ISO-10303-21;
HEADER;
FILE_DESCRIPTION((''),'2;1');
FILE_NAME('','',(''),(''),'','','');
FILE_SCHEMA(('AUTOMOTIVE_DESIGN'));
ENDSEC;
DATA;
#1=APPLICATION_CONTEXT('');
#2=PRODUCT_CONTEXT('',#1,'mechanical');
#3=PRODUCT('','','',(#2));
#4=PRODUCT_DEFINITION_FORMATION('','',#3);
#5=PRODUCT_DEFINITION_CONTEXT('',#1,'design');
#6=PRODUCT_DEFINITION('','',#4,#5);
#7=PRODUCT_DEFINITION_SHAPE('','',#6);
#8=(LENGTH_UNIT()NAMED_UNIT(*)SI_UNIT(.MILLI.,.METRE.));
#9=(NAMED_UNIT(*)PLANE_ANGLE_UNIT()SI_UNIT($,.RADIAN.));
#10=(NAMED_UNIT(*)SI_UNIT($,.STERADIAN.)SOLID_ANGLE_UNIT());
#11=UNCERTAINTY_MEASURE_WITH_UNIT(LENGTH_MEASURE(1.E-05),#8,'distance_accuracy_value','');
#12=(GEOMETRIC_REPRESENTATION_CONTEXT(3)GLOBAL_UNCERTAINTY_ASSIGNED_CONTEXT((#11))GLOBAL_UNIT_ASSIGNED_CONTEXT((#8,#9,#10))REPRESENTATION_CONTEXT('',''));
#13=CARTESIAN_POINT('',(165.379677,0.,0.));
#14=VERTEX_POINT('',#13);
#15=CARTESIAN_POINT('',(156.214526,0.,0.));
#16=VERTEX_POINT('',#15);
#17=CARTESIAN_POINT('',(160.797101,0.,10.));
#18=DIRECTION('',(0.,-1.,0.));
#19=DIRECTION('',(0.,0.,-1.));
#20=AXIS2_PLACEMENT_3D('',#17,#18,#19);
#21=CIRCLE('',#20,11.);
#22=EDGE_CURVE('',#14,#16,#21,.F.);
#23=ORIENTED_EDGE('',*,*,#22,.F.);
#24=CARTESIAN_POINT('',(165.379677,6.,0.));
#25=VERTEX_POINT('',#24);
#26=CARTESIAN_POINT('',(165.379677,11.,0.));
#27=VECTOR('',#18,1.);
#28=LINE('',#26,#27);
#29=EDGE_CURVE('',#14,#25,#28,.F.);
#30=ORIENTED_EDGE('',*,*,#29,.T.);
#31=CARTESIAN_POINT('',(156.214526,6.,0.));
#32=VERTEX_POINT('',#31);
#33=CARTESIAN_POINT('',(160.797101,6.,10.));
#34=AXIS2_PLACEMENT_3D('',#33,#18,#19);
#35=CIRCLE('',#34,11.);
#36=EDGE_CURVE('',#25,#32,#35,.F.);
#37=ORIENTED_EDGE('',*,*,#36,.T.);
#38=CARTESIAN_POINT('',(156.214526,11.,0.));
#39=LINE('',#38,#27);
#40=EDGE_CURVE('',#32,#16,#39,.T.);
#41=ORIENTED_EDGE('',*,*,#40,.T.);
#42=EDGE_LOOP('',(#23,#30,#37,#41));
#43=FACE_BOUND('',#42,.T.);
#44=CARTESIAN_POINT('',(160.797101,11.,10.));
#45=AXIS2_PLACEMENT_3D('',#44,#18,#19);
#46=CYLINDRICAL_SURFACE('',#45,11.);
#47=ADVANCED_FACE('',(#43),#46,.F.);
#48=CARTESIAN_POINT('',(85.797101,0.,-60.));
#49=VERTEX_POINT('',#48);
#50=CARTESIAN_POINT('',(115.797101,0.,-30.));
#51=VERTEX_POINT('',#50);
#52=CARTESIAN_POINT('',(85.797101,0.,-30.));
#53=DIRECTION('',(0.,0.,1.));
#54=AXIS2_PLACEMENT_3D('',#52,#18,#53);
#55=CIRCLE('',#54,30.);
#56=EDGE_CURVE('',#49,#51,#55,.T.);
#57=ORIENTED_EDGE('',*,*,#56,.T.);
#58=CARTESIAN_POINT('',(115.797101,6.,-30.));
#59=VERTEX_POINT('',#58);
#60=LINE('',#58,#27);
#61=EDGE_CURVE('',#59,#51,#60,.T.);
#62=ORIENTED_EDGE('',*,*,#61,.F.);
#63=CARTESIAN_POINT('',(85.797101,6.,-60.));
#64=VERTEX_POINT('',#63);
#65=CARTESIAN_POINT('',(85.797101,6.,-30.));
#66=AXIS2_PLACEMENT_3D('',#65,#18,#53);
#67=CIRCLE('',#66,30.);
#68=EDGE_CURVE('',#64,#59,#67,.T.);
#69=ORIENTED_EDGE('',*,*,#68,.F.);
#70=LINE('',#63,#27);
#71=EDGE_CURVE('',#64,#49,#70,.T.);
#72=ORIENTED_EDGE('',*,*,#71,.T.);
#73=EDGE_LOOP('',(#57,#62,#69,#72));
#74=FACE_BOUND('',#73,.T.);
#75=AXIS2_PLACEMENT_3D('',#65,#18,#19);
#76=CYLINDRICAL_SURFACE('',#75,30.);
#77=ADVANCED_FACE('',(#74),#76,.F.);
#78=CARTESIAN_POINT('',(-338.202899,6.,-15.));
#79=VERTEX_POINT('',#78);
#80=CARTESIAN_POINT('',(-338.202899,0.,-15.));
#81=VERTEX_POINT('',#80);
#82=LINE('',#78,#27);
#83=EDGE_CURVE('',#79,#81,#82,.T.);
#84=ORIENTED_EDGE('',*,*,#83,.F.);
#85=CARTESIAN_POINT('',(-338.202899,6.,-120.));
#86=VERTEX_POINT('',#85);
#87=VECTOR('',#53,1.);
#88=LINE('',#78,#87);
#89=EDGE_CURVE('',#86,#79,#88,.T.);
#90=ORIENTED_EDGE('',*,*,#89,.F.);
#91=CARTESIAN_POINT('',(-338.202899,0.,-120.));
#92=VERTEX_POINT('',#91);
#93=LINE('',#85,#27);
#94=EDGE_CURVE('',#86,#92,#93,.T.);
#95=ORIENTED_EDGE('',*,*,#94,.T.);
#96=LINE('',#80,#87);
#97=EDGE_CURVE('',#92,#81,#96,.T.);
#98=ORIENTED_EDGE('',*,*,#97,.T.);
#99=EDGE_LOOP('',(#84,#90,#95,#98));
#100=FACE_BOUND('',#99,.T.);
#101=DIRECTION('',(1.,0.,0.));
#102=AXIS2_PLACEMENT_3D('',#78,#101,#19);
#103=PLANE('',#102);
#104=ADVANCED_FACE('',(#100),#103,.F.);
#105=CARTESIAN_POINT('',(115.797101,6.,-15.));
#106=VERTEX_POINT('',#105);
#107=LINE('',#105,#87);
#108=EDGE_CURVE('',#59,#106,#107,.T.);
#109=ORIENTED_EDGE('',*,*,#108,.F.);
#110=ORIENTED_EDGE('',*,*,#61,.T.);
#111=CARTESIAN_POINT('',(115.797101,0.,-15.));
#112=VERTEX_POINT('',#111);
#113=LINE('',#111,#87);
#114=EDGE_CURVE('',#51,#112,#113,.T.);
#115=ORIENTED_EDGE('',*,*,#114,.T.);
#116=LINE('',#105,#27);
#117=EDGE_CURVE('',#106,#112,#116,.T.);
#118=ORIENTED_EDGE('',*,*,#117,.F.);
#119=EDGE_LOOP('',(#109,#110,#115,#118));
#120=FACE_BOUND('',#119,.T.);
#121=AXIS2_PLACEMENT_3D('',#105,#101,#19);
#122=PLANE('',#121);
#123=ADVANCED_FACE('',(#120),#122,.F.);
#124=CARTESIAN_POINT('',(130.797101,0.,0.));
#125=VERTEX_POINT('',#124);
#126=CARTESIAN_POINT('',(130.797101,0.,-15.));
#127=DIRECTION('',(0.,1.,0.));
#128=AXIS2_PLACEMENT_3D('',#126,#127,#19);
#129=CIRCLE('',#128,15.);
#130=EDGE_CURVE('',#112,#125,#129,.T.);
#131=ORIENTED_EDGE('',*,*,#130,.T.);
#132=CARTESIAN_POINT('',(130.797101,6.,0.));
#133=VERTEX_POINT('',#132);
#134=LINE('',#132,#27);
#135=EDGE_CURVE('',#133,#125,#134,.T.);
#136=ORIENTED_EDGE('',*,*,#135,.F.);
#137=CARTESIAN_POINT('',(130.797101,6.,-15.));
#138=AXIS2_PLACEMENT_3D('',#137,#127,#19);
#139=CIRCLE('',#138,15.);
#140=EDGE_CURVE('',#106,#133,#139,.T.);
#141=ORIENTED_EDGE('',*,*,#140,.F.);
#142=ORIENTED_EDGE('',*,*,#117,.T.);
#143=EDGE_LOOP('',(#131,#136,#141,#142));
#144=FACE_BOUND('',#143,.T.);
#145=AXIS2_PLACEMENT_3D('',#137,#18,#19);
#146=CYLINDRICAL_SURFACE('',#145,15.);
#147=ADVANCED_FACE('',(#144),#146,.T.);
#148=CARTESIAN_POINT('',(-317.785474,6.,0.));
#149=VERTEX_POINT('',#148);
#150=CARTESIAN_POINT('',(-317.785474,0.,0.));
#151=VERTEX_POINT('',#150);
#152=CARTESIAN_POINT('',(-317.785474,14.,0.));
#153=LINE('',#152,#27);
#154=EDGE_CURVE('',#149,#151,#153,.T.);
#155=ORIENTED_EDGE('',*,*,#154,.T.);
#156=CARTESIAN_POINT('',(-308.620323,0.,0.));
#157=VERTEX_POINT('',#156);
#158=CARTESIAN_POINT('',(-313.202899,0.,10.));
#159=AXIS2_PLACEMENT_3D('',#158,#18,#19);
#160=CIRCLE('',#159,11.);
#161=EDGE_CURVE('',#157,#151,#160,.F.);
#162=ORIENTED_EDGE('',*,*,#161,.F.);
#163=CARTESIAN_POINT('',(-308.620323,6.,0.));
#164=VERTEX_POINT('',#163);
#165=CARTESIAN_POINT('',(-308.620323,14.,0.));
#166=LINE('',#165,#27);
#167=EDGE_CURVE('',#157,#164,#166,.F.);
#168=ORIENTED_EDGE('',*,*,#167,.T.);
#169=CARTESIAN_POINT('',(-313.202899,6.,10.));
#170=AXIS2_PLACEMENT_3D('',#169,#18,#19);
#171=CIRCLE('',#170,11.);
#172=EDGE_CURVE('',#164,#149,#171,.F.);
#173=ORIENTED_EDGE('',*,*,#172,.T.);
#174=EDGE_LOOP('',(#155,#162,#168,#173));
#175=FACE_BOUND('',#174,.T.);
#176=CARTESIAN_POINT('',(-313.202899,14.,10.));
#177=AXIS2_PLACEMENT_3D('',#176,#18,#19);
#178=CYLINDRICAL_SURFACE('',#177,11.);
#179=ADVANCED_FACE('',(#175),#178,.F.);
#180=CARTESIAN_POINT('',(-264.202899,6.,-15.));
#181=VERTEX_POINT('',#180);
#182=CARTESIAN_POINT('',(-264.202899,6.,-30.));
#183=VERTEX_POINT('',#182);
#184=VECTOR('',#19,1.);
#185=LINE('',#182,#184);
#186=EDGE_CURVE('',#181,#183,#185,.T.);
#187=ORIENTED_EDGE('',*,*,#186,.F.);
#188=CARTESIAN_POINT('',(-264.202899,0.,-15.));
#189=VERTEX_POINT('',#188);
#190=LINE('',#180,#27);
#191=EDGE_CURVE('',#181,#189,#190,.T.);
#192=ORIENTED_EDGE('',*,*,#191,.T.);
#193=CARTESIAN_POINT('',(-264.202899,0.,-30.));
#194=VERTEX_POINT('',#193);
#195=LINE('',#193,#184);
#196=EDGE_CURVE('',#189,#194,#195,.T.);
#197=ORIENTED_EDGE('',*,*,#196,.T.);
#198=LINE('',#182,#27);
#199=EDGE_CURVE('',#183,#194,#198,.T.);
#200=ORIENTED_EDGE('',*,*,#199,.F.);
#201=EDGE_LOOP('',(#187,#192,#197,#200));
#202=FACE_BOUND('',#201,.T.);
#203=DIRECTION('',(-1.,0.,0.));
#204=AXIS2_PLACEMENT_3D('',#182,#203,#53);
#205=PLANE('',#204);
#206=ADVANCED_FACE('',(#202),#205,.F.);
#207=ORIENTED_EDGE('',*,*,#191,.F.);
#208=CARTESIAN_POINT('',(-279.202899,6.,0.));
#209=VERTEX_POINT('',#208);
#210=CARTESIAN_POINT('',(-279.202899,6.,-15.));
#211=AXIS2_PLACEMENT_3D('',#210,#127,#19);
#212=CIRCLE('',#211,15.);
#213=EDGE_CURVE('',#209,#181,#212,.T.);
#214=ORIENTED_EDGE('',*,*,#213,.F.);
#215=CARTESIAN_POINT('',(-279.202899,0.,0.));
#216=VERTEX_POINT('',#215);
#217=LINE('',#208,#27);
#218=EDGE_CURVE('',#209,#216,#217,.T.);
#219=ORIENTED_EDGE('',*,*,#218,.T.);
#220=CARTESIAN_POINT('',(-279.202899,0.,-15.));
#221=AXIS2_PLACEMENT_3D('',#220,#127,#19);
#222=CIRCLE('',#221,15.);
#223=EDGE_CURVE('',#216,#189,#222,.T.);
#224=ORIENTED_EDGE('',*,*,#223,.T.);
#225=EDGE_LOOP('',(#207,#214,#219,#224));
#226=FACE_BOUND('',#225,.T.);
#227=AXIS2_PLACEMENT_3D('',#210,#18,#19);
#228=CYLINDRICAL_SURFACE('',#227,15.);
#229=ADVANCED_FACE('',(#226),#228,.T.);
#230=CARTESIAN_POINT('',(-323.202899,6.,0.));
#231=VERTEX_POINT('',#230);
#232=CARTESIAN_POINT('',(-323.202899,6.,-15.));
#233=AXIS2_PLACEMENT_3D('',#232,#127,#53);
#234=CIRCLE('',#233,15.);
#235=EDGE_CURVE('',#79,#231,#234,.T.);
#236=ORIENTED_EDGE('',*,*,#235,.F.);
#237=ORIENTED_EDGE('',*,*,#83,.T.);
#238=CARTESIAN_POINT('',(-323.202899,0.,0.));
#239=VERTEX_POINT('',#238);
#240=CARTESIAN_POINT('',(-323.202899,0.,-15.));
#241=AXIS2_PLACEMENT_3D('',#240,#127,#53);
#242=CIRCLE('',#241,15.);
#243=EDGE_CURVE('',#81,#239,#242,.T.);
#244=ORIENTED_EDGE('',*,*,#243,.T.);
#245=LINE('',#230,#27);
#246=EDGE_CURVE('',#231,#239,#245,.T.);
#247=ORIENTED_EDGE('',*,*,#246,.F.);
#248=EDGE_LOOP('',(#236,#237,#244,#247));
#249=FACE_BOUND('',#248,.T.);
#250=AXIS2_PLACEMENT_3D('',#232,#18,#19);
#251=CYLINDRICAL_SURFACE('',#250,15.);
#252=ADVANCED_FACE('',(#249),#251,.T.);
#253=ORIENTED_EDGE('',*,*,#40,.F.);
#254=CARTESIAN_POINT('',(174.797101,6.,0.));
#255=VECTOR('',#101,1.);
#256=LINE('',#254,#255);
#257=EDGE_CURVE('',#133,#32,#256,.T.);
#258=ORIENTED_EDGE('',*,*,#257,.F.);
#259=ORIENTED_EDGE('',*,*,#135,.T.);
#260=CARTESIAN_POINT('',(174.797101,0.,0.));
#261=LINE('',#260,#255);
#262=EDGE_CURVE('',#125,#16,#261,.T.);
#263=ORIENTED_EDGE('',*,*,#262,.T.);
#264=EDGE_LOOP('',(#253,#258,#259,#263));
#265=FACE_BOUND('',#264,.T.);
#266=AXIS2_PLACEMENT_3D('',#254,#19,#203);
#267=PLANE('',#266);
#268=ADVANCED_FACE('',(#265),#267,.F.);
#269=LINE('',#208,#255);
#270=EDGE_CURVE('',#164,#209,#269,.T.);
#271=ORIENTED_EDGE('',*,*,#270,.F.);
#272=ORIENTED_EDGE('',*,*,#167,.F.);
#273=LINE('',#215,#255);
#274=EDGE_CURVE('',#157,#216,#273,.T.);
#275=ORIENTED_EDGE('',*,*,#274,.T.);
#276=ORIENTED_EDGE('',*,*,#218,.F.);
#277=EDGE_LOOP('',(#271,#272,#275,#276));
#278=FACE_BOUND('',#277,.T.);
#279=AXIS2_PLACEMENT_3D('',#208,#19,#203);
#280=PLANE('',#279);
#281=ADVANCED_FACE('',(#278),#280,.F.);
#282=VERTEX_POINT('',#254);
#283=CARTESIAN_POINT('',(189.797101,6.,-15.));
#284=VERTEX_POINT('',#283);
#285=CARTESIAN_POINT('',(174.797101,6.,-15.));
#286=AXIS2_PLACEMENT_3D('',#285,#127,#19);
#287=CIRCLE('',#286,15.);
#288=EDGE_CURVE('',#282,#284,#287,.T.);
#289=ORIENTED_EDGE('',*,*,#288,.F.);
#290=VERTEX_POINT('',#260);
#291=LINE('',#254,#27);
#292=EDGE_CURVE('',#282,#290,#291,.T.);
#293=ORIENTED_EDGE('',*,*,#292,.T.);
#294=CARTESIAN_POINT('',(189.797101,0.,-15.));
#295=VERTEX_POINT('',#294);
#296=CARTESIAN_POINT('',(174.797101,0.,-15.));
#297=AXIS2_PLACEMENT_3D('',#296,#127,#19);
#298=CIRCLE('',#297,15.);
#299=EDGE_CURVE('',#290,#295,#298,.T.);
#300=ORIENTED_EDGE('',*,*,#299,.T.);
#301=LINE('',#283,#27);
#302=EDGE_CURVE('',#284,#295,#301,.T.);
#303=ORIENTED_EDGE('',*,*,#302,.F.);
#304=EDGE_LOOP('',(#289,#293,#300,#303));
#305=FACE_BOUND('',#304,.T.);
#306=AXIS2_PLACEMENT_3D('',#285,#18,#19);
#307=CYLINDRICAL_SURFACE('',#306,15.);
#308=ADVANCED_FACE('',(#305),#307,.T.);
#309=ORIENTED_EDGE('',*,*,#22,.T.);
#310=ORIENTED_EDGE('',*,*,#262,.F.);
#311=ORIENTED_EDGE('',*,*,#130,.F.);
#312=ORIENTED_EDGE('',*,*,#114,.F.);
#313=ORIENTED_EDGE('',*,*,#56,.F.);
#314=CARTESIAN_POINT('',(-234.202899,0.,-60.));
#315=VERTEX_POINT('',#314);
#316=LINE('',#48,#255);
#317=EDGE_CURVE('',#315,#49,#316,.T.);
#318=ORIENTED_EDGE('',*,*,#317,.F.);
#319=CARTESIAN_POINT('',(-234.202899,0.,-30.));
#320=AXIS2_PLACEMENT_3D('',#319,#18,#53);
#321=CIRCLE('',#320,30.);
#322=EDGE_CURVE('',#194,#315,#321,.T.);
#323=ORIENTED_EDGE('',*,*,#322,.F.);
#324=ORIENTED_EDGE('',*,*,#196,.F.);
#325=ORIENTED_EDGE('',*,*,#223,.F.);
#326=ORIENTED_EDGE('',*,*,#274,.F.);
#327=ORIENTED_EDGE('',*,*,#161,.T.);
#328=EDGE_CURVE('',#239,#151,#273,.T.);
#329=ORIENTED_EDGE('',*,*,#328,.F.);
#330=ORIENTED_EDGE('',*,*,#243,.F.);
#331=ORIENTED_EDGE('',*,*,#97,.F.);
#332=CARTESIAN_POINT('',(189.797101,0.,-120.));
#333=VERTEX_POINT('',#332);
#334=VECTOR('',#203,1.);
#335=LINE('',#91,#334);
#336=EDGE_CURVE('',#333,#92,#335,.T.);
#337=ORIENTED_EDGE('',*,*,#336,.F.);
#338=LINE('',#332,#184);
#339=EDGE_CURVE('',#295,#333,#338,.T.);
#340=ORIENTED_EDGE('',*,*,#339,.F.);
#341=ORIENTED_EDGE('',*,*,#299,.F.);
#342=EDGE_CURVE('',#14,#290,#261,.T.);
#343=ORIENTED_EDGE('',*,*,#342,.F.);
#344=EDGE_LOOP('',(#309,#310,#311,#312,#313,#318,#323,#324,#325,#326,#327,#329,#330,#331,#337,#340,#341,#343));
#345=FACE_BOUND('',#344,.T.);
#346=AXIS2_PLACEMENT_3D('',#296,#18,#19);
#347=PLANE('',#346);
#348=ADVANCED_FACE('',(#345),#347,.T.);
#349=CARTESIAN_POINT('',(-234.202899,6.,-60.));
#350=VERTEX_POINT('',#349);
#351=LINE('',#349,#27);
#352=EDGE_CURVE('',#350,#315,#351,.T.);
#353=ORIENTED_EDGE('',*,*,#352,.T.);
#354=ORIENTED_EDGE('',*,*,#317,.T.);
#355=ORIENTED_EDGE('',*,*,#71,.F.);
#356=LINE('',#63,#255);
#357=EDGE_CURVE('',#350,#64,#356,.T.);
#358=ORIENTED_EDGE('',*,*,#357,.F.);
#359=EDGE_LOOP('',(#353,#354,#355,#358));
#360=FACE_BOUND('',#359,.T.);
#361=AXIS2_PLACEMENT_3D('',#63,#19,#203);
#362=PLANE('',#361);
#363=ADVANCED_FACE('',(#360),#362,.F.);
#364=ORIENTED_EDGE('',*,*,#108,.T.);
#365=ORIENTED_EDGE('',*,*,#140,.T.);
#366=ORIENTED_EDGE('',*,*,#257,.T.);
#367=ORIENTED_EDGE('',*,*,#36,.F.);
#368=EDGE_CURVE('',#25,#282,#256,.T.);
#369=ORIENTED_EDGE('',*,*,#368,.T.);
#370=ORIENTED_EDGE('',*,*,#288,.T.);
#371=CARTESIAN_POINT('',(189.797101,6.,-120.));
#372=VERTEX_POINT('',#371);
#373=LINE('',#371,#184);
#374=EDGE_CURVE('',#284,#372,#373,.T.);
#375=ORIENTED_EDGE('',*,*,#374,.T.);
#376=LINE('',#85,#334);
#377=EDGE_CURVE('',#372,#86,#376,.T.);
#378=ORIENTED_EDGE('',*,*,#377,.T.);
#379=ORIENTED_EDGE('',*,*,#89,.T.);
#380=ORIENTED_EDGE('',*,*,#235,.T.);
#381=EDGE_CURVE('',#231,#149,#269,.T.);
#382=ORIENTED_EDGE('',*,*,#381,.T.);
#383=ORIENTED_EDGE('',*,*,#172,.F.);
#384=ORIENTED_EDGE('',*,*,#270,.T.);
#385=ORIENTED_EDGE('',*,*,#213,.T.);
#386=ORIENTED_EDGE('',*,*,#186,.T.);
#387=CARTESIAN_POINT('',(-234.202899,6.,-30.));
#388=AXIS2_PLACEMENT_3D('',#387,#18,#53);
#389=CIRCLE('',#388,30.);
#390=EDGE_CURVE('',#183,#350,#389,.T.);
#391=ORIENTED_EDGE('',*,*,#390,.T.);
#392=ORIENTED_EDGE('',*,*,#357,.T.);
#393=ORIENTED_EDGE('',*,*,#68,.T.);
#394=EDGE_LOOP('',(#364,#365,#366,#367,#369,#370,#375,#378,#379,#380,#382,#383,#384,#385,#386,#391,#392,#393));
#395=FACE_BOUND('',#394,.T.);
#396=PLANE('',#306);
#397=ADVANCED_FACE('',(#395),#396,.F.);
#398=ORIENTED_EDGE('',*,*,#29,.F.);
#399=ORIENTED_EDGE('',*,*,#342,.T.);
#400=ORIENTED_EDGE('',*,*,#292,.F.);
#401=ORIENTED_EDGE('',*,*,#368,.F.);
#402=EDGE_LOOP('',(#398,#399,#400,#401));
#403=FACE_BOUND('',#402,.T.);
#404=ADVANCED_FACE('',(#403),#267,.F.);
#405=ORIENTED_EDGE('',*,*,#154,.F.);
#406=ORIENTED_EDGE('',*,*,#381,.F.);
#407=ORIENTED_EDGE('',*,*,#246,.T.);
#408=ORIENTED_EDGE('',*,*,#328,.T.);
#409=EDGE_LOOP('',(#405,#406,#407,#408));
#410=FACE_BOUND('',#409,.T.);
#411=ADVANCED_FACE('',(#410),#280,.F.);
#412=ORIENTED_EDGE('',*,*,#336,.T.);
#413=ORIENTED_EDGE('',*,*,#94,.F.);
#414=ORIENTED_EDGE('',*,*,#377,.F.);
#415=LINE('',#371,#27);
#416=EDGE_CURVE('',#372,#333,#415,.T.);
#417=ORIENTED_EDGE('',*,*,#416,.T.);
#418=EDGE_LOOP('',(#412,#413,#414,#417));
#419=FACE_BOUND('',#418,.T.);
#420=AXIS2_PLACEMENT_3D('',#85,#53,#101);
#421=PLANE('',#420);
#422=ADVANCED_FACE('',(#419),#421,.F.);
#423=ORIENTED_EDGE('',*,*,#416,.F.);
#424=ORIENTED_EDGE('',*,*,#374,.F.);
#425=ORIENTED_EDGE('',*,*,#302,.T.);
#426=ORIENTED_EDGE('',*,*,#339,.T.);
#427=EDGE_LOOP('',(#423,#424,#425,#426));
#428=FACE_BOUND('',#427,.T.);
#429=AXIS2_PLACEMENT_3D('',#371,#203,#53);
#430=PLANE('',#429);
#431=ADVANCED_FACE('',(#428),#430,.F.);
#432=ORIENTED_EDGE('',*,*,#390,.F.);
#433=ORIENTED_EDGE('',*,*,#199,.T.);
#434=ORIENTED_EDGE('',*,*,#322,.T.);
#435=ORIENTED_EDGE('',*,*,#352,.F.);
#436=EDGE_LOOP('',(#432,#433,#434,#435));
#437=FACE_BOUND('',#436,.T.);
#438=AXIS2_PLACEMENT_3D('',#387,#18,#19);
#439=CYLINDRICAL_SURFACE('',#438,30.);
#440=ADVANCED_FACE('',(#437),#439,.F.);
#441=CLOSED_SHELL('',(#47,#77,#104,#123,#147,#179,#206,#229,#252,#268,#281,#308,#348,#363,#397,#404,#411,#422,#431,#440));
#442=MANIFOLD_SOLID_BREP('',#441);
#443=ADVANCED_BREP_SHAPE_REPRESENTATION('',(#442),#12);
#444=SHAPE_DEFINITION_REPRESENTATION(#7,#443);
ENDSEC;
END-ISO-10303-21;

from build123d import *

# Parameters (mm, degrees)
EXTRUDE_1_DEPTH          = 6
CUT_EXTRUDE_1_DEPTH      = 14
CUT_EXTRUDE_1_DEPTH_BACK = 5
SKETCH_7_R               = 11
CUT_EXTRUDE_2_DEPTH      = 11
CUT_EXTRUDE_2_DEPTH_BACK = 5
SKETCH_8_R               = 11


with BuildPart() as part:
    # Эскиз1 → Бобышка-Вытянуть1 (new body)
    with BuildSketch(Plane(origin=(0, 0, 0), x_dir=(1, 0, 0), z_dir=(0, 1, 0))):
        with BuildLine():
            Line((-338.202898551, 15), (-338.202898551, 120))
            Line((-338.202898551, 120), (189.797101449, 120))
            Line((189.797101449, 120), (189.797101449, 15))
            ThreePointArc((189.797101449, 15), (185.403703167, 4.393398282), (174.797101449, 0))
            Line((174.797101449, 0), (130.797101449, 0))
            ThreePointArc((130.797101449, 0), (120.190499731, 4.393398282), (115.797101449, 15))
            Line((115.797101449, 15), (115.797101449, 30))
            ThreePointArc((115.797101449, 30), (107.010304885, 51.213203436), (85.797101449, 60))
            Line((85.797101449, 60), (-234.202898551, 60))
            ThreePointArc((-234.202898551, 60), (-255.416101986, 51.213203436), (-264.202898551, 30))
            Line((-264.202898551, 30), (-264.202898551, 15))
            ThreePointArc((-264.202898551, 15), (-268.596296833, 4.393398282), (-279.202898551, 0))
            Line((-279.202898551, 0), (-323.202898551, 0))
            ThreePointArc((-323.202898551, 0), (-333.809500269, 4.393398282), (-338.202898551, 15))
        make_face()
    extrude(amount=EXTRUDE_1_DEPTH)

    # Эскиз7 → Вырез-Вытянуть1 (cut, two sides: drawn at the far end of the back side and taken through both)
    with BuildSketch(Plane(origin=(0, 0, 0), x_dir=(1, 0, 0), z_dir=(0, 1, 0)).offset(-CUT_EXTRUDE_1_DEPTH_BACK)):
        with Locations((-313.202898551, -10)):
            Circle(SKETCH_7_R)
    extrude(amount=CUT_EXTRUDE_1_DEPTH + CUT_EXTRUDE_1_DEPTH_BACK, mode=Mode.SUBTRACT)

    # Эскиз8 → Вырез-Вытянуть2 (cut, two sides: drawn at the far end of the back side and taken through both)
    with BuildSketch(Plane(origin=(0, 0, 0), x_dir=(1, 0, 0), z_dir=(0, 1, 0)).offset(-CUT_EXTRUDE_2_DEPTH_BACK)):
        with Locations((160.797101449, -10)):
            Circle(SKETCH_8_R)
    extrude(amount=CUT_EXTRUDE_2_DEPTH + CUT_EXTRUDE_2_DEPTH_BACK, mode=Mode.SUBTRACT)


solid = part.part
